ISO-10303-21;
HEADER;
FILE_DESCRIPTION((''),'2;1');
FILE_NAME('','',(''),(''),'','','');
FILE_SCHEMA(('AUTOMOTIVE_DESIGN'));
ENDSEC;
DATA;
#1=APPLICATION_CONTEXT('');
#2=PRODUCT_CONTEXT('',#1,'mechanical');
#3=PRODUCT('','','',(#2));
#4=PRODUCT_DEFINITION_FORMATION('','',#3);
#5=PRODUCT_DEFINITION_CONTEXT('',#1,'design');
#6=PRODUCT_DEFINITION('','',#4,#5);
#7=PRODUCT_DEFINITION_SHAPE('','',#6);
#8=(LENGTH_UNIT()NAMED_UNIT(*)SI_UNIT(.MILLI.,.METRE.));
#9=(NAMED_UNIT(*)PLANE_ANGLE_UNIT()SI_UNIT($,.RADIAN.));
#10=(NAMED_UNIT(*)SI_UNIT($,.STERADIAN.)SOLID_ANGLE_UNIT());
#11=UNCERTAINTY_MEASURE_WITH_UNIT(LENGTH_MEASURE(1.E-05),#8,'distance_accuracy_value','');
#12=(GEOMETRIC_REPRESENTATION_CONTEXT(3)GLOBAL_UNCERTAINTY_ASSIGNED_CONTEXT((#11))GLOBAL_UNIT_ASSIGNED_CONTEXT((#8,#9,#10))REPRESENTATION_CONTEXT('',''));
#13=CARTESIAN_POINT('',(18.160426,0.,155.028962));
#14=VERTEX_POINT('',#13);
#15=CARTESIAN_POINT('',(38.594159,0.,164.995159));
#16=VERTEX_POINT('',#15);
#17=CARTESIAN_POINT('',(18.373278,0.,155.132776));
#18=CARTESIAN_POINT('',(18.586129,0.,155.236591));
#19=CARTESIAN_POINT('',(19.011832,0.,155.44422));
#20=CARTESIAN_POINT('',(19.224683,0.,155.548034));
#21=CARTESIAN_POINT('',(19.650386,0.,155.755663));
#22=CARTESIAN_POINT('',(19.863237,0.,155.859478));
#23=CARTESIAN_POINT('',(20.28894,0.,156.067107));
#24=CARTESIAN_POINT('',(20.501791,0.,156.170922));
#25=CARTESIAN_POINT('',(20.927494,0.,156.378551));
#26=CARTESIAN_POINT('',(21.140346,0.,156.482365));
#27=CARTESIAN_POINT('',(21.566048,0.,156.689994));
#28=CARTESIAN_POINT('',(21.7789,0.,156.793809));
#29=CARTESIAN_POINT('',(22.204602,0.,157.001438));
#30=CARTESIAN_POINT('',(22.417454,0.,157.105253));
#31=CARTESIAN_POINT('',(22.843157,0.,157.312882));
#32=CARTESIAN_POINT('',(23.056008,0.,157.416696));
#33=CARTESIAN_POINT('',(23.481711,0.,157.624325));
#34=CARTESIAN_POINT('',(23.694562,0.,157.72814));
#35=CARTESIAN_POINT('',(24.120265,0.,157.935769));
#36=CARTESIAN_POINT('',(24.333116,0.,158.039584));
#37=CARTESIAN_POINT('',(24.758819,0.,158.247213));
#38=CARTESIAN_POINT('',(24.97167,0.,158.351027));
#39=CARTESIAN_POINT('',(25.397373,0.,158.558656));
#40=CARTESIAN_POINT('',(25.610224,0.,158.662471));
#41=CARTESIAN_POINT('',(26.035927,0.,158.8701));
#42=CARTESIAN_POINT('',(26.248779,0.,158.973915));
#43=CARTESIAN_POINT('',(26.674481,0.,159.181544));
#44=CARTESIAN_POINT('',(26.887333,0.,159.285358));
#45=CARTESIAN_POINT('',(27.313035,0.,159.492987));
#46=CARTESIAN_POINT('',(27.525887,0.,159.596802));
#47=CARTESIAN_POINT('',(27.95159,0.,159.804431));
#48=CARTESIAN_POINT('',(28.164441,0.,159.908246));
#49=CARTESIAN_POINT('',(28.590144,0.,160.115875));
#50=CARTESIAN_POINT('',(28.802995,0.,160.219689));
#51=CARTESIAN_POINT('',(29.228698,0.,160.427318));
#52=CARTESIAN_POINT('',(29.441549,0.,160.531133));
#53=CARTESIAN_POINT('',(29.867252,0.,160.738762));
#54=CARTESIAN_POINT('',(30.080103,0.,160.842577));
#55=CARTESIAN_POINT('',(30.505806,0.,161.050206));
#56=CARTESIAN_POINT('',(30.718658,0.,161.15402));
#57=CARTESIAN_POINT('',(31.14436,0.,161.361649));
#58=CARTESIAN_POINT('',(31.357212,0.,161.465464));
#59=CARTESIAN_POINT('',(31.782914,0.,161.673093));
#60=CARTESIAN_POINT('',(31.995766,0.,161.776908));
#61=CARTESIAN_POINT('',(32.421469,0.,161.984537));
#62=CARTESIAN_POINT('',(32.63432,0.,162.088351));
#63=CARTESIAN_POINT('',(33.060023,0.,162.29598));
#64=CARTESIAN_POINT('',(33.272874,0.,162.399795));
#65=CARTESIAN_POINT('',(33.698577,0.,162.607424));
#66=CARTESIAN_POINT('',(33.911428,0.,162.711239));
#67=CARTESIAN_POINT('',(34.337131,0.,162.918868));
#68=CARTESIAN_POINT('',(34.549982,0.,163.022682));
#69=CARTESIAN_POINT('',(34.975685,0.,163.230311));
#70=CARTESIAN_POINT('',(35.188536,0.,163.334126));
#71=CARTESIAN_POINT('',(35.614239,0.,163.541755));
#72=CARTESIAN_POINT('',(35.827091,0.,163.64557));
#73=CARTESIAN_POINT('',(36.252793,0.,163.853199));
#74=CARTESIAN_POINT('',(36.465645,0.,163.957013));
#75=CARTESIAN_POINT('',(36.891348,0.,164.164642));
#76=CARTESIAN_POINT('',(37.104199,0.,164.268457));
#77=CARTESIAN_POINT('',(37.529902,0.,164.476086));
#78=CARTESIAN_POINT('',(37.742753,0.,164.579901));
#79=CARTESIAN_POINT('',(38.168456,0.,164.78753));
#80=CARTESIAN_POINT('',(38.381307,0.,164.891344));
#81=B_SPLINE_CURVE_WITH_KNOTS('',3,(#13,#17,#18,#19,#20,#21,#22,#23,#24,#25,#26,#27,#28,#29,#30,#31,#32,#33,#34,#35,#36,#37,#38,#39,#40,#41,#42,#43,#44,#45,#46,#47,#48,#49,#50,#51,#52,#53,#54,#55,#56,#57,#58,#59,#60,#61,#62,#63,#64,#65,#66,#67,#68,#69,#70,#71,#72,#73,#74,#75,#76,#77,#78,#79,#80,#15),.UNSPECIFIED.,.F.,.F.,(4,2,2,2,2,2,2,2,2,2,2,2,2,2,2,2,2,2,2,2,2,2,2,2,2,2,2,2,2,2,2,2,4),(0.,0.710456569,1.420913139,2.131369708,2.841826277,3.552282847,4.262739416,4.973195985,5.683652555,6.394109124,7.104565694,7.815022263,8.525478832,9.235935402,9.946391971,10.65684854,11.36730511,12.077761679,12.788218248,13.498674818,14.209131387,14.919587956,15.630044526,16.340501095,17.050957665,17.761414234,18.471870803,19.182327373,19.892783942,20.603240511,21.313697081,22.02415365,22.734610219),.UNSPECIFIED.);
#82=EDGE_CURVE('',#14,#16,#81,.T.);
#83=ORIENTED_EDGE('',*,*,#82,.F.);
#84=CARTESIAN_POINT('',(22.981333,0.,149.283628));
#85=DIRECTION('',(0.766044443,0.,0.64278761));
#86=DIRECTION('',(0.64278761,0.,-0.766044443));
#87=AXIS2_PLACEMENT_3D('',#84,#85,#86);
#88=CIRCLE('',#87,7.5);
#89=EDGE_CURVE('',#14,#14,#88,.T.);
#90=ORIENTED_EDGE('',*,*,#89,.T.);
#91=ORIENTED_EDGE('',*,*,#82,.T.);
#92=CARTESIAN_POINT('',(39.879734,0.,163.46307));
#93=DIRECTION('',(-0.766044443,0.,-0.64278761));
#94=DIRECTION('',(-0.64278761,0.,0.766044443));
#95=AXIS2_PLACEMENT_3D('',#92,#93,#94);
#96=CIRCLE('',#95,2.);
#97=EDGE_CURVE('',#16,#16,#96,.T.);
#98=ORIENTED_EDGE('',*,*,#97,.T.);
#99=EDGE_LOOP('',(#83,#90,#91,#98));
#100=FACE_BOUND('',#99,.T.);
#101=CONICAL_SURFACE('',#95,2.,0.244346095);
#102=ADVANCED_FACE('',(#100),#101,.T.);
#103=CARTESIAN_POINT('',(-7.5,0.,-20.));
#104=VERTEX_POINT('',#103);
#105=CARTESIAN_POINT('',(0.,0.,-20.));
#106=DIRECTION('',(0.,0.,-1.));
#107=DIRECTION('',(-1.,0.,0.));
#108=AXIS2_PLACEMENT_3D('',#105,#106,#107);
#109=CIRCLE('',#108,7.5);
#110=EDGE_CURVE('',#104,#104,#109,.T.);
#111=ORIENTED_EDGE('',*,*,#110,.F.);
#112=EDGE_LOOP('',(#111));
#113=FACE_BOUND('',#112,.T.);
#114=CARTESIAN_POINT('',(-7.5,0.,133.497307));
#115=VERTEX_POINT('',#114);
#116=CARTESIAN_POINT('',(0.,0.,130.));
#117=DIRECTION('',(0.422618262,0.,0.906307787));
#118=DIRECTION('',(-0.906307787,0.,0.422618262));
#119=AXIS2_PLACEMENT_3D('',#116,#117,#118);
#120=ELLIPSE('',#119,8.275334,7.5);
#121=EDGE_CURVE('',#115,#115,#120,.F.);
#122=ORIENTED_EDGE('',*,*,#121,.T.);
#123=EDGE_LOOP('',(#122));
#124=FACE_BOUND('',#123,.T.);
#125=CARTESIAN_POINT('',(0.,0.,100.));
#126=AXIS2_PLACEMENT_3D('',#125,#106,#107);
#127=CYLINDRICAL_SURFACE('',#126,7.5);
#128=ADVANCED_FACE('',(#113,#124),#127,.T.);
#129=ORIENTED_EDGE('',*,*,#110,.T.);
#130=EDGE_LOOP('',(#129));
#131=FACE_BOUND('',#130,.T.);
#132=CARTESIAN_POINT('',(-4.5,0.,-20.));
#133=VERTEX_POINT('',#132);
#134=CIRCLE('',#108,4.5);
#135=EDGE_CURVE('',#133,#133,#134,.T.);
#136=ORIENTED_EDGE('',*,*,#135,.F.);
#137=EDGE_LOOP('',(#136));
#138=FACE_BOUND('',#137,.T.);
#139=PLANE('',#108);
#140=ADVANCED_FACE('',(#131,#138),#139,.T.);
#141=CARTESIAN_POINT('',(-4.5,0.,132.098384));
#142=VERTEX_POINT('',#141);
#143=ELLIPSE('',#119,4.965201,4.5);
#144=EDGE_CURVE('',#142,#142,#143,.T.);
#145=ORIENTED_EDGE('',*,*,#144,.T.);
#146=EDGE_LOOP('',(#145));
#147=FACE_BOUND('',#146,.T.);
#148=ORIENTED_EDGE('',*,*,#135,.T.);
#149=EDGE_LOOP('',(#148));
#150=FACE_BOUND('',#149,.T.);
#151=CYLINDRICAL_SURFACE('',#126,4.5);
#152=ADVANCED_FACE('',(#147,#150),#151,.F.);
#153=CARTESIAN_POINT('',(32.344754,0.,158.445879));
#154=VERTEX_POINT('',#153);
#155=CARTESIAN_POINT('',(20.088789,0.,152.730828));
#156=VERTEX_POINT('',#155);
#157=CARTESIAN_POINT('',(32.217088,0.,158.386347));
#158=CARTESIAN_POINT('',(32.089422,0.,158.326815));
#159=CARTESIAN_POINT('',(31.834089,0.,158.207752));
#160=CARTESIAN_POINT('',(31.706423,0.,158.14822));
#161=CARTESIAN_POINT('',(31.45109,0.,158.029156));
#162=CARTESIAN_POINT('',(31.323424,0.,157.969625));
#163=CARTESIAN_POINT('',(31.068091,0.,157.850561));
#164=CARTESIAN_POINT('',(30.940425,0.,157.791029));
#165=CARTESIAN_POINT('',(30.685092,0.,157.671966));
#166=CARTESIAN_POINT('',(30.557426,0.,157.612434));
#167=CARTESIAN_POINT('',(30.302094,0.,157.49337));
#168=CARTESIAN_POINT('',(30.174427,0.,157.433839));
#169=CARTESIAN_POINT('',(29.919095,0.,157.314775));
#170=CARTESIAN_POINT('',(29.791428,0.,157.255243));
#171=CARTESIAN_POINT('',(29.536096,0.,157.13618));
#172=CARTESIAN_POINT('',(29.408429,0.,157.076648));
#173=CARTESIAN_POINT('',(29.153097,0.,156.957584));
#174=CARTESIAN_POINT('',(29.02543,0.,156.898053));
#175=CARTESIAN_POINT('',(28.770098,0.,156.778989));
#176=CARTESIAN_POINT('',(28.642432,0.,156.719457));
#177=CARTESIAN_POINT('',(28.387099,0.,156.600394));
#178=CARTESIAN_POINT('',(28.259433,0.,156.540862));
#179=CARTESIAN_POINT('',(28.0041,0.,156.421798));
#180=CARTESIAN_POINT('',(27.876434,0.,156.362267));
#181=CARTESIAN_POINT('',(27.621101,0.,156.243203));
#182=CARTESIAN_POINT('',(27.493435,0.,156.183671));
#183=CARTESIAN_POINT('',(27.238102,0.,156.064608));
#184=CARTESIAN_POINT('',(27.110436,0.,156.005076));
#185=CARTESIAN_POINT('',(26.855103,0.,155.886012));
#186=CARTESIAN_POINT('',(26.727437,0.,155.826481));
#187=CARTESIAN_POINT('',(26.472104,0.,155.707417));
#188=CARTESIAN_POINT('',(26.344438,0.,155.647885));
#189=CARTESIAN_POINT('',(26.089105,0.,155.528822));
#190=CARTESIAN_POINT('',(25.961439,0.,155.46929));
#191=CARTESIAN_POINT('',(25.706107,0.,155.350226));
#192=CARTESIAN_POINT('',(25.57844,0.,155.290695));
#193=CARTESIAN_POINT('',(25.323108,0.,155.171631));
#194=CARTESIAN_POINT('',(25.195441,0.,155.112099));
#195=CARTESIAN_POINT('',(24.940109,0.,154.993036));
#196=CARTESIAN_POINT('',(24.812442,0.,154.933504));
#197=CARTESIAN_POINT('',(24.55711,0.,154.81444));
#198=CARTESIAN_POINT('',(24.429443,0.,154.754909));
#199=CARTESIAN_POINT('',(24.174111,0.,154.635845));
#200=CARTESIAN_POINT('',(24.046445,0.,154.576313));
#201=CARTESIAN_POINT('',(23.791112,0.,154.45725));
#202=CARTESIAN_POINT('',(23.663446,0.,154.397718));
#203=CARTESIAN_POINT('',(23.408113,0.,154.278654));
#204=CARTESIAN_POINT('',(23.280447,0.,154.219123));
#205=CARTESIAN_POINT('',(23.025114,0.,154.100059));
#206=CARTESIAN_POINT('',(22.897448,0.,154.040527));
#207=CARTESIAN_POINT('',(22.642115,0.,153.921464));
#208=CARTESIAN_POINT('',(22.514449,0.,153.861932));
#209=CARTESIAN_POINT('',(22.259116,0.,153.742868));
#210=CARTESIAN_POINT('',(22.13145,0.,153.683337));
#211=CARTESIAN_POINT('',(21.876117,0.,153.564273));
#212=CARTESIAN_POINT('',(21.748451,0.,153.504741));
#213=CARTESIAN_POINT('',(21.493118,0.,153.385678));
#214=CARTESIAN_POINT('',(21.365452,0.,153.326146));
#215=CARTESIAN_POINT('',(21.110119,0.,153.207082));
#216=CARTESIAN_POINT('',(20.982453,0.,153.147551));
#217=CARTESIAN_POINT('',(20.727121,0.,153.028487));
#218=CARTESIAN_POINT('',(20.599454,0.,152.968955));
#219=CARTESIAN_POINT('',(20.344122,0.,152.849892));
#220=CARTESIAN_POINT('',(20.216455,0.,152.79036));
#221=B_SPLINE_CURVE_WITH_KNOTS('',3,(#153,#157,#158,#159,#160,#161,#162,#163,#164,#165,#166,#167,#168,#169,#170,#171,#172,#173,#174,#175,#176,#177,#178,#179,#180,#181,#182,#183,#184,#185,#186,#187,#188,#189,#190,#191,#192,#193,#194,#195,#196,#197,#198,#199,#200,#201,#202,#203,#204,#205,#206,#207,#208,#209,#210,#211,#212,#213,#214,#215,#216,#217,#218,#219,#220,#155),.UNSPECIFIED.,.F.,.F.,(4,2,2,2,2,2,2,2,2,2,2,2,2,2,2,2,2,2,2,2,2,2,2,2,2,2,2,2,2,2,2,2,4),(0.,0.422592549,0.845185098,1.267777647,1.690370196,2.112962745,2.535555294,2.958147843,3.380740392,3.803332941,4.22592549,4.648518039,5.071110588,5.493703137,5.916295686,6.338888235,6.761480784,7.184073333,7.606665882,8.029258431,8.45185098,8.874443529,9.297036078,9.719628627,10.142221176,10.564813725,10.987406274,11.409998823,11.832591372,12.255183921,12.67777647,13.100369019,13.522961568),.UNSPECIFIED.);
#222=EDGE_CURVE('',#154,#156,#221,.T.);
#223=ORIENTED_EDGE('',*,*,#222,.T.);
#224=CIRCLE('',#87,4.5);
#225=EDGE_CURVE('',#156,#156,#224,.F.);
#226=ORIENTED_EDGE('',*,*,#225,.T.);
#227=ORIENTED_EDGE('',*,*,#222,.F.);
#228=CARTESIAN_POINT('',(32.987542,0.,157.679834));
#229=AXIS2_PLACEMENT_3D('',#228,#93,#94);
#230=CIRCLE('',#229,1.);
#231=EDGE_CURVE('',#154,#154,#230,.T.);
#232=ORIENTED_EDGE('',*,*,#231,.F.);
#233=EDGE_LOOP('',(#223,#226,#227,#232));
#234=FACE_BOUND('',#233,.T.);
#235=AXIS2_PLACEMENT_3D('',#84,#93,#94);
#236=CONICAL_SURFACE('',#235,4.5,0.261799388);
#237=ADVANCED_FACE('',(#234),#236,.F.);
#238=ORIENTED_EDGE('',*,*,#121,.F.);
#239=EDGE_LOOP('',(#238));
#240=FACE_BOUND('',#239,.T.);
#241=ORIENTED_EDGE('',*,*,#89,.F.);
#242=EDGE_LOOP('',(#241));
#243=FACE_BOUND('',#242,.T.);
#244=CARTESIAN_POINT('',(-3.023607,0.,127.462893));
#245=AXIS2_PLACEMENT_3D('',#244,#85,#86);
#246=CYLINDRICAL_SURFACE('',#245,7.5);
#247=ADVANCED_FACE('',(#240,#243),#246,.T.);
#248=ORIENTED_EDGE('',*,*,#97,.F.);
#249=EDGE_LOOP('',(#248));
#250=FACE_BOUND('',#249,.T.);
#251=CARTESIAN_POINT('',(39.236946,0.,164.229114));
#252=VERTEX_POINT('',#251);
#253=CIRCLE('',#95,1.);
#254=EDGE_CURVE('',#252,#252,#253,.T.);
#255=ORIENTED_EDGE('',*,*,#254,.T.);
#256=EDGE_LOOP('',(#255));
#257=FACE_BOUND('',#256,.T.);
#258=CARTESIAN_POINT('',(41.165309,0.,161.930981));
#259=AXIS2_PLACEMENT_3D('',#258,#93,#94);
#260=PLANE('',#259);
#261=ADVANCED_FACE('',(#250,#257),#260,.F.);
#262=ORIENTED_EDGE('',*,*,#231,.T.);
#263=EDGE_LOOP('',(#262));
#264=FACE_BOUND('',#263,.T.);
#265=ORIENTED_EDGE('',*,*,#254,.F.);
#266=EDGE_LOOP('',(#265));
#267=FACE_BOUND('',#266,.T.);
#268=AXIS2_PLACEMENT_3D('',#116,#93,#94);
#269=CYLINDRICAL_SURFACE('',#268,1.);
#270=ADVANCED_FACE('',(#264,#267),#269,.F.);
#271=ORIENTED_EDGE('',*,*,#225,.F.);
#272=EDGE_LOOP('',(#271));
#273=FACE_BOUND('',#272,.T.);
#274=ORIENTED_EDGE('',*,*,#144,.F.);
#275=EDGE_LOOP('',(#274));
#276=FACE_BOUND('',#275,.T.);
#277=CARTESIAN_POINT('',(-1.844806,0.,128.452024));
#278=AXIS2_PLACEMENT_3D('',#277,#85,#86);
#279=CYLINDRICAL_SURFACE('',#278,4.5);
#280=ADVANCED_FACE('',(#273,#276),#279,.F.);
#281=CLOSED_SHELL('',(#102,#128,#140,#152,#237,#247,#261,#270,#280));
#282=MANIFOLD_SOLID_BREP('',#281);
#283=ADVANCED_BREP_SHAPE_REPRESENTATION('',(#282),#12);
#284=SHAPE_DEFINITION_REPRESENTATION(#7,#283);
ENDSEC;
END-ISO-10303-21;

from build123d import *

# Parameters (mm, degrees)
SKETCH_1_R      = 7.5
SKETCH_1_R_2    = 4.5
EXTRUDE_1_DEPTH = 100
SKETCH_3_R      = 7.5
SKETCH_3_R_2    = 4.5
EXTRUDE_START   = 20
SKETCH_6_R      = 7.5
SKETCH_6_R_2    = 4.5
EXTRUDE_2_DEPTH = 20


with BuildPart() as part:
    # 草图1 → 凸台-拉伸1 (new body)
    with BuildSketch(Plane.XY):
        Circle(SKETCH_1_R)
        Circle(SKETCH_1_R_2, mode=Mode.SUBTRACT)
    extrude(amount=EXTRUDE_1_DEPTH)

    # 扫描1: sweep along a path in 草图2
    with BuildLine(Plane(origin=(0, 0, 0), x_dir=(1, 0, 0), z_dir=(0, 1, 0))) as sweep_1_path:
        Line((0, -100), (0, -130))
        Line((0, -130), (22.981333294, -149.283628291))
    # 草图3 → 扫描1 (sweep)
    with BuildSketch(Plane.XY.offset(100)):
        Circle(SKETCH_3_R)
        Circle(SKETCH_3_R_2, mode=Mode.SUBTRACT)
    sweep(path=sweep_1_path.line, transition=Transition.RIGHT)

    # 草图5 → 旋转1 (revolve)
    with BuildSketch(Plane(origin=(0, 0, 0), x_dir=(1, 0, 0), z_dir=(0, 1, 0)), mode=Mode.PRIVATE) as revolve_1_sk:
        Polygon((27.802240366, -143.538294967), (25.873877537, -145.836428297), (33.630329642, -156.91378991), (40.52252136, -162.697025438), (41.16530897, -161.930980995), (35.728697758, -154.448127615), align=None)
    revolve(revolve_1_sk.sketch.rotate(Axis((0, 0, 130), (0.7660444431189799, 0, 0.6427876096865373)), 180), axis=Axis((0, 0, 130), (0.7660444431189799, 0, 0.6427876096865373)))

    # 草图6 → 凸台-拉伸2 (add)
    with BuildSketch(Plane(origin=(0, 0, 0), x_dir=(-1, 0, 0), z_dir=(0, 0, -1)).offset(EXTRUDE_START)):
        Circle(SKETCH_6_R)
        Circle(SKETCH_6_R_2, mode=Mode.SUBTRACT)
    extrude(amount=-EXTRUDE_2_DEPTH)


solid = part.part
